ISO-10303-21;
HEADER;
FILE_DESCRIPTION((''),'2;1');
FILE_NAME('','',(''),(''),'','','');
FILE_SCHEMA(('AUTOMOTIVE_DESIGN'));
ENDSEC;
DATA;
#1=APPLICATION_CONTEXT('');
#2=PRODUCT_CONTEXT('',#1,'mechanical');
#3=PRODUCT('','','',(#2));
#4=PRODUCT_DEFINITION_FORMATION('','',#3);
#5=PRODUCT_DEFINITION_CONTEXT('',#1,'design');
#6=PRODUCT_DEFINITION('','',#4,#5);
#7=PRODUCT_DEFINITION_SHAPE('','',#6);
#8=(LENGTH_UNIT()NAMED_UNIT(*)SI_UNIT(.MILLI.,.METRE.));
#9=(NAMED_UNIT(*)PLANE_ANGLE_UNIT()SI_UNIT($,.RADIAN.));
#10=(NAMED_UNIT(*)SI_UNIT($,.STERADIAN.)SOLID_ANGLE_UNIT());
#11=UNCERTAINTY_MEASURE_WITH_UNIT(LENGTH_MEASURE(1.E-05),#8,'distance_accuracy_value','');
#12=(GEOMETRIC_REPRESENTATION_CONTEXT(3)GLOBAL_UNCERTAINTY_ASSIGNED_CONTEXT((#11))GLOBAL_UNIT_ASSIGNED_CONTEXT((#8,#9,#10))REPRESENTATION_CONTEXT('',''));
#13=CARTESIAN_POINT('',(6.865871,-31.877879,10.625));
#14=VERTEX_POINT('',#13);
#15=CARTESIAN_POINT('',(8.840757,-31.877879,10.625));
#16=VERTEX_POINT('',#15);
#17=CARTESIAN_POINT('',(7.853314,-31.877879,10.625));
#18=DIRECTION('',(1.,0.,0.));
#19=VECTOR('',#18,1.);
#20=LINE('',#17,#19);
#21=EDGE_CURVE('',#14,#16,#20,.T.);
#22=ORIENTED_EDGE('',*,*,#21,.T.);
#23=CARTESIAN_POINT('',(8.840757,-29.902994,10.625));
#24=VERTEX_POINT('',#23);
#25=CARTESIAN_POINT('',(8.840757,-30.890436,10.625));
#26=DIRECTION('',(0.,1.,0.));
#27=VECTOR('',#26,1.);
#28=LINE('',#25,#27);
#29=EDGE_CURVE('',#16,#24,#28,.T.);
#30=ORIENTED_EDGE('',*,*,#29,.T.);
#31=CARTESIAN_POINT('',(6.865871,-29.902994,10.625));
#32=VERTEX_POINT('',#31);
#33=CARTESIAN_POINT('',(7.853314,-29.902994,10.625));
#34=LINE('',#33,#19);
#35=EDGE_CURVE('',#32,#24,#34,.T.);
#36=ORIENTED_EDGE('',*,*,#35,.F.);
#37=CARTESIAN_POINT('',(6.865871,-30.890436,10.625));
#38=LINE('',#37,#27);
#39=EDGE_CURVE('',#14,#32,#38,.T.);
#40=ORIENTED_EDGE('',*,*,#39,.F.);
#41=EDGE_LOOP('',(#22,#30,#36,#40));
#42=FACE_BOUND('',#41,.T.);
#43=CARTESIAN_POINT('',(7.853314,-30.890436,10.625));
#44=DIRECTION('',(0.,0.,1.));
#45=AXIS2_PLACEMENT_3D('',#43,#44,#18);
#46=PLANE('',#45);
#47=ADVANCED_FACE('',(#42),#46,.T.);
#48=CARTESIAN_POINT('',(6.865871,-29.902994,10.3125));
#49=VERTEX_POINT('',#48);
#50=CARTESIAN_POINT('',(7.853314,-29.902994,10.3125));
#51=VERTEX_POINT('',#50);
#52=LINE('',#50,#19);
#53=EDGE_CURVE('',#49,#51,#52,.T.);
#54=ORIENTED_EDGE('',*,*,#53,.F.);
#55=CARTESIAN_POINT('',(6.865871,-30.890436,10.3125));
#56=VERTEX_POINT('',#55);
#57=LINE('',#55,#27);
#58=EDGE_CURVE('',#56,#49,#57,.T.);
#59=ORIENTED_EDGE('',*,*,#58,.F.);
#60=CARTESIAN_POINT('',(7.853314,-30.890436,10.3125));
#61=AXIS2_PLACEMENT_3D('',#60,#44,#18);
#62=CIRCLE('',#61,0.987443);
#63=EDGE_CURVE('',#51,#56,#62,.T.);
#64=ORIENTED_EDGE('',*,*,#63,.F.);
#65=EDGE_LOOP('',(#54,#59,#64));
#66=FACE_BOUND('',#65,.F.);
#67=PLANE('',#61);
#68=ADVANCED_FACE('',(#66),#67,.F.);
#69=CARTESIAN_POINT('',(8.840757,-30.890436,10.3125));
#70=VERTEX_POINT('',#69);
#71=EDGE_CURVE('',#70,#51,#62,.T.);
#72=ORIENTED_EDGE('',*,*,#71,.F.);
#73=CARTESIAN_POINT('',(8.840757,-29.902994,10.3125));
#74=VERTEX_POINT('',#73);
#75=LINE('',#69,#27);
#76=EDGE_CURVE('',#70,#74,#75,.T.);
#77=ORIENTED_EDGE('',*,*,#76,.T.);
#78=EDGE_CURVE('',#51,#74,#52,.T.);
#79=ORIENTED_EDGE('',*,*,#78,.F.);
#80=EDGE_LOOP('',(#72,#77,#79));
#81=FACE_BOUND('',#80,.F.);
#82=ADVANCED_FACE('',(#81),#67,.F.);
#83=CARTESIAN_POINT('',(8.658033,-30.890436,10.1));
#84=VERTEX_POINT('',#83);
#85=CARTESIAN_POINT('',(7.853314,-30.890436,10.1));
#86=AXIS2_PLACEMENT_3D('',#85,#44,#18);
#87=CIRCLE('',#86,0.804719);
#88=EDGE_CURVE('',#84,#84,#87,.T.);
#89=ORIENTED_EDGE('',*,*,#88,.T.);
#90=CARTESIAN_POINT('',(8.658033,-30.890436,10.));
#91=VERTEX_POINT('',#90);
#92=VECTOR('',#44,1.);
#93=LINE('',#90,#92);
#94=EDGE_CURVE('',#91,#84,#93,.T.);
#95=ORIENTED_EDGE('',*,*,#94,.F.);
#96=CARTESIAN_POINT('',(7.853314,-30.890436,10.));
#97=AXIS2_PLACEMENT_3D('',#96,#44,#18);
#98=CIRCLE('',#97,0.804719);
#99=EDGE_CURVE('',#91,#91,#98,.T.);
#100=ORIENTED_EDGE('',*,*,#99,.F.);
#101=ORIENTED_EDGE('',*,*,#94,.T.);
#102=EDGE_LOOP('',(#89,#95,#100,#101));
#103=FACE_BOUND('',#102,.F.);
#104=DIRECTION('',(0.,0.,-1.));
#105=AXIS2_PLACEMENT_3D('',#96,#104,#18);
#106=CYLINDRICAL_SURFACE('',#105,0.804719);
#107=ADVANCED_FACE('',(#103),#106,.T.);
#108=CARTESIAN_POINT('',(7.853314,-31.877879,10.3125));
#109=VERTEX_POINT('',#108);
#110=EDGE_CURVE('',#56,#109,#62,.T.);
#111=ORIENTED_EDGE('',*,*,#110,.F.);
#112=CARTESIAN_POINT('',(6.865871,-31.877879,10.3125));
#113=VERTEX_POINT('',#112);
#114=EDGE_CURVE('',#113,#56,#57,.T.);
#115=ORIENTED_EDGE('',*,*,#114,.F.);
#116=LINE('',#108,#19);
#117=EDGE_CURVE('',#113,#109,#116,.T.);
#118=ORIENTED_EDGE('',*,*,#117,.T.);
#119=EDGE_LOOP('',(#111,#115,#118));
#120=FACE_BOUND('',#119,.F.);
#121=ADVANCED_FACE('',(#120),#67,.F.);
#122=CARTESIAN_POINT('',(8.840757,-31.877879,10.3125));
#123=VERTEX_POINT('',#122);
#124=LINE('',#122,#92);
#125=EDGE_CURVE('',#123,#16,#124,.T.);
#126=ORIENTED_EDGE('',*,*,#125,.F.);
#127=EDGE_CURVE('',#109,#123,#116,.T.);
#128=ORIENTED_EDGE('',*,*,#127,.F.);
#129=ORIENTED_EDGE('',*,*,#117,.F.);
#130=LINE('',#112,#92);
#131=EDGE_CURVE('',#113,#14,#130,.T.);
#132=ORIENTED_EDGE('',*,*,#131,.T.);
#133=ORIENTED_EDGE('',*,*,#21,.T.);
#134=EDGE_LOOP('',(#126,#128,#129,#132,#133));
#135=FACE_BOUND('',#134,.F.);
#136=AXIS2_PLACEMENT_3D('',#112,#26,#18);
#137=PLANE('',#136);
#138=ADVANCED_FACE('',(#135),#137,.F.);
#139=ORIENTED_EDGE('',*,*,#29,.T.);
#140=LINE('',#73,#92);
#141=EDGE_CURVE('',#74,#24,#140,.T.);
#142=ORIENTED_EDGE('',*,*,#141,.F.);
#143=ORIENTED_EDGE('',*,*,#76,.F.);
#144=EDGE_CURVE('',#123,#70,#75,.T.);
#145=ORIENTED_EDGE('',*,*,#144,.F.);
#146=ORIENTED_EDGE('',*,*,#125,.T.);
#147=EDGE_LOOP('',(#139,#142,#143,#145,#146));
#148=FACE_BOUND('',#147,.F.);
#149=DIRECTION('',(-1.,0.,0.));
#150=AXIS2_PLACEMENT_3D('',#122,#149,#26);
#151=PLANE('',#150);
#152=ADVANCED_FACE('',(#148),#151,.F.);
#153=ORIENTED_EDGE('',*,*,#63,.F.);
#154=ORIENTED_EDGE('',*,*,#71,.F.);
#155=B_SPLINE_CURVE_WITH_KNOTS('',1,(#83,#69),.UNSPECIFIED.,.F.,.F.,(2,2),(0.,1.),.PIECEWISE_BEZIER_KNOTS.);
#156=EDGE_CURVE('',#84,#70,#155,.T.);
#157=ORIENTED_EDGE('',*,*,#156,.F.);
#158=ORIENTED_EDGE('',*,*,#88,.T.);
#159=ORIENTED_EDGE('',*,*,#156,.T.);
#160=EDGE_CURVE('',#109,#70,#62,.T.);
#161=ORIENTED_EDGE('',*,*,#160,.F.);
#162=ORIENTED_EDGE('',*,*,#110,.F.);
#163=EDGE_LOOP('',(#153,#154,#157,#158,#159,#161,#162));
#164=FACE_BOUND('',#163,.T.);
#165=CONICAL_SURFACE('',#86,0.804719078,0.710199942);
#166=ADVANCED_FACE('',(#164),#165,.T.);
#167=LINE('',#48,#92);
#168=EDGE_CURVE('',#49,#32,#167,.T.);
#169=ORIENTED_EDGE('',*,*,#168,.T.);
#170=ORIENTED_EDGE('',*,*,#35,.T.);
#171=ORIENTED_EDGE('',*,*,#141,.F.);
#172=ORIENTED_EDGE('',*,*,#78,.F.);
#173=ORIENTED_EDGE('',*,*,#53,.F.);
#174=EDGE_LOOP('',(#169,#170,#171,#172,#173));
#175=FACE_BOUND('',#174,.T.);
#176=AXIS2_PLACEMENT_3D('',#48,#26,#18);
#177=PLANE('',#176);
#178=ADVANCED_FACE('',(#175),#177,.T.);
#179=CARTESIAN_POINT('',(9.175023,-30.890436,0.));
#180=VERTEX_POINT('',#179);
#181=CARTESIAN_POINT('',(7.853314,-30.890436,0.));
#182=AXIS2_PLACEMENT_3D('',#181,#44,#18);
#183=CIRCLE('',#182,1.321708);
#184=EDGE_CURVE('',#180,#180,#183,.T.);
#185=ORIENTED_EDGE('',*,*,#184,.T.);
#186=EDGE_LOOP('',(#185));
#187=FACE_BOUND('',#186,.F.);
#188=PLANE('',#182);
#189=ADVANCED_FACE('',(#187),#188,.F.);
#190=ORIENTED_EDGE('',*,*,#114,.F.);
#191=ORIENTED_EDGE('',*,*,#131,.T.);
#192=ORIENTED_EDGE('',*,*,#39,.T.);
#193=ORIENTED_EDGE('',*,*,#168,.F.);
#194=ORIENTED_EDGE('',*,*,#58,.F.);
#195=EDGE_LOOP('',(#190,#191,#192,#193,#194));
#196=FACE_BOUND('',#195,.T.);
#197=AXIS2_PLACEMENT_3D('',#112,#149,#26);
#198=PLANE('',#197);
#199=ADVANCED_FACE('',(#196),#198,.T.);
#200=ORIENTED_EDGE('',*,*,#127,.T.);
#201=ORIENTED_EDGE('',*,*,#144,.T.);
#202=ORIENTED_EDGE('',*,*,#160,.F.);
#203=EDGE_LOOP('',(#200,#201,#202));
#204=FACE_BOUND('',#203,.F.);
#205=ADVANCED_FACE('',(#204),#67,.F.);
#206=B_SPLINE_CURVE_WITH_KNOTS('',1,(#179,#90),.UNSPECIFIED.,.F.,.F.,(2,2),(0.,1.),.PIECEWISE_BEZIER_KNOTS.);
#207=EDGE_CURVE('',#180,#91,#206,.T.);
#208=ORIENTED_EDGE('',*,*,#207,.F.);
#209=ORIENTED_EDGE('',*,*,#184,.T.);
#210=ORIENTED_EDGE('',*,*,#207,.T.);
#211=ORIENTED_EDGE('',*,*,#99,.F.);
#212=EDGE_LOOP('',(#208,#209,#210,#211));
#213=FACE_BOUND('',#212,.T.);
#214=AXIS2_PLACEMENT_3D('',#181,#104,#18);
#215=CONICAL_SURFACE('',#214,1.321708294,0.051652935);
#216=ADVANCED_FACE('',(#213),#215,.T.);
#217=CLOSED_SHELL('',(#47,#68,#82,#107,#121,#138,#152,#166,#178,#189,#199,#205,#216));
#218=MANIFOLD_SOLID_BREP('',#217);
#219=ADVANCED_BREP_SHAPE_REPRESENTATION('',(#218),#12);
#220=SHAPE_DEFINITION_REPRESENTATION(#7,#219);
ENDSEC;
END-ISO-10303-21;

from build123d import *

# Parameters (mm, degrees)
SKETCH1_R           = 1.321708294
SKETCH2_R           = 0.804719078
SKETCH5_R           = 0.804719078
BOSS_EXTRUDE2_DEPTH = 0.1
SKETCH6_R           = 0.804719078
SKETCH7_R           = 0.987442809
SKETCH8_W           = 1.974885617
SKETCH8_H           = 1.974885617
BOSS_EXTRUDE3_DEPTH = 0.3125


with BuildPart() as part:
    # Sketch1 → Loft1 section 0
    with BuildSketch(Plane.XY):
        with Locations((7.853314297, -30.890436458)):
            Circle(SKETCH1_R)
    # Sketch2 → Loft1 section 1
    with BuildSketch(Plane.XY.offset(10)):
        with Locations((7.853314297, -30.890436458)):
            Circle(SKETCH2_R)
    loft()

    # Sketch5 → Boss-Extrude2 (add)
    with BuildSketch(Plane.XY.offset(10)):
        with Locations((7.853314297, -30.890436458)):
            Circle(SKETCH5_R)
    extrude(amount=BOSS_EXTRUDE2_DEPTH)

    # Sketch6 → Loft2 section 0
    with BuildSketch(Plane.XY.offset(10.1)):
        with Locations((7.853314297, -30.890436458)):
            Circle(SKETCH6_R)
    # Sketch7 → Loft2 section 1
    with BuildSketch(Plane.XY.offset(10.3125)):
        with Locations((7.853314297, -30.890436458)):
            Circle(SKETCH7_R)
    loft()

    # Sketch8 → Boss-Extrude3 (add)
    with BuildSketch(Plane.XY.offset(10.3125)):
        with Locations((7.853314298, -30.890436459)):
            Rectangle(SKETCH8_W, SKETCH8_H)
    extrude(amount=BOSS_EXTRUDE3_DEPTH)


solid = part.part
